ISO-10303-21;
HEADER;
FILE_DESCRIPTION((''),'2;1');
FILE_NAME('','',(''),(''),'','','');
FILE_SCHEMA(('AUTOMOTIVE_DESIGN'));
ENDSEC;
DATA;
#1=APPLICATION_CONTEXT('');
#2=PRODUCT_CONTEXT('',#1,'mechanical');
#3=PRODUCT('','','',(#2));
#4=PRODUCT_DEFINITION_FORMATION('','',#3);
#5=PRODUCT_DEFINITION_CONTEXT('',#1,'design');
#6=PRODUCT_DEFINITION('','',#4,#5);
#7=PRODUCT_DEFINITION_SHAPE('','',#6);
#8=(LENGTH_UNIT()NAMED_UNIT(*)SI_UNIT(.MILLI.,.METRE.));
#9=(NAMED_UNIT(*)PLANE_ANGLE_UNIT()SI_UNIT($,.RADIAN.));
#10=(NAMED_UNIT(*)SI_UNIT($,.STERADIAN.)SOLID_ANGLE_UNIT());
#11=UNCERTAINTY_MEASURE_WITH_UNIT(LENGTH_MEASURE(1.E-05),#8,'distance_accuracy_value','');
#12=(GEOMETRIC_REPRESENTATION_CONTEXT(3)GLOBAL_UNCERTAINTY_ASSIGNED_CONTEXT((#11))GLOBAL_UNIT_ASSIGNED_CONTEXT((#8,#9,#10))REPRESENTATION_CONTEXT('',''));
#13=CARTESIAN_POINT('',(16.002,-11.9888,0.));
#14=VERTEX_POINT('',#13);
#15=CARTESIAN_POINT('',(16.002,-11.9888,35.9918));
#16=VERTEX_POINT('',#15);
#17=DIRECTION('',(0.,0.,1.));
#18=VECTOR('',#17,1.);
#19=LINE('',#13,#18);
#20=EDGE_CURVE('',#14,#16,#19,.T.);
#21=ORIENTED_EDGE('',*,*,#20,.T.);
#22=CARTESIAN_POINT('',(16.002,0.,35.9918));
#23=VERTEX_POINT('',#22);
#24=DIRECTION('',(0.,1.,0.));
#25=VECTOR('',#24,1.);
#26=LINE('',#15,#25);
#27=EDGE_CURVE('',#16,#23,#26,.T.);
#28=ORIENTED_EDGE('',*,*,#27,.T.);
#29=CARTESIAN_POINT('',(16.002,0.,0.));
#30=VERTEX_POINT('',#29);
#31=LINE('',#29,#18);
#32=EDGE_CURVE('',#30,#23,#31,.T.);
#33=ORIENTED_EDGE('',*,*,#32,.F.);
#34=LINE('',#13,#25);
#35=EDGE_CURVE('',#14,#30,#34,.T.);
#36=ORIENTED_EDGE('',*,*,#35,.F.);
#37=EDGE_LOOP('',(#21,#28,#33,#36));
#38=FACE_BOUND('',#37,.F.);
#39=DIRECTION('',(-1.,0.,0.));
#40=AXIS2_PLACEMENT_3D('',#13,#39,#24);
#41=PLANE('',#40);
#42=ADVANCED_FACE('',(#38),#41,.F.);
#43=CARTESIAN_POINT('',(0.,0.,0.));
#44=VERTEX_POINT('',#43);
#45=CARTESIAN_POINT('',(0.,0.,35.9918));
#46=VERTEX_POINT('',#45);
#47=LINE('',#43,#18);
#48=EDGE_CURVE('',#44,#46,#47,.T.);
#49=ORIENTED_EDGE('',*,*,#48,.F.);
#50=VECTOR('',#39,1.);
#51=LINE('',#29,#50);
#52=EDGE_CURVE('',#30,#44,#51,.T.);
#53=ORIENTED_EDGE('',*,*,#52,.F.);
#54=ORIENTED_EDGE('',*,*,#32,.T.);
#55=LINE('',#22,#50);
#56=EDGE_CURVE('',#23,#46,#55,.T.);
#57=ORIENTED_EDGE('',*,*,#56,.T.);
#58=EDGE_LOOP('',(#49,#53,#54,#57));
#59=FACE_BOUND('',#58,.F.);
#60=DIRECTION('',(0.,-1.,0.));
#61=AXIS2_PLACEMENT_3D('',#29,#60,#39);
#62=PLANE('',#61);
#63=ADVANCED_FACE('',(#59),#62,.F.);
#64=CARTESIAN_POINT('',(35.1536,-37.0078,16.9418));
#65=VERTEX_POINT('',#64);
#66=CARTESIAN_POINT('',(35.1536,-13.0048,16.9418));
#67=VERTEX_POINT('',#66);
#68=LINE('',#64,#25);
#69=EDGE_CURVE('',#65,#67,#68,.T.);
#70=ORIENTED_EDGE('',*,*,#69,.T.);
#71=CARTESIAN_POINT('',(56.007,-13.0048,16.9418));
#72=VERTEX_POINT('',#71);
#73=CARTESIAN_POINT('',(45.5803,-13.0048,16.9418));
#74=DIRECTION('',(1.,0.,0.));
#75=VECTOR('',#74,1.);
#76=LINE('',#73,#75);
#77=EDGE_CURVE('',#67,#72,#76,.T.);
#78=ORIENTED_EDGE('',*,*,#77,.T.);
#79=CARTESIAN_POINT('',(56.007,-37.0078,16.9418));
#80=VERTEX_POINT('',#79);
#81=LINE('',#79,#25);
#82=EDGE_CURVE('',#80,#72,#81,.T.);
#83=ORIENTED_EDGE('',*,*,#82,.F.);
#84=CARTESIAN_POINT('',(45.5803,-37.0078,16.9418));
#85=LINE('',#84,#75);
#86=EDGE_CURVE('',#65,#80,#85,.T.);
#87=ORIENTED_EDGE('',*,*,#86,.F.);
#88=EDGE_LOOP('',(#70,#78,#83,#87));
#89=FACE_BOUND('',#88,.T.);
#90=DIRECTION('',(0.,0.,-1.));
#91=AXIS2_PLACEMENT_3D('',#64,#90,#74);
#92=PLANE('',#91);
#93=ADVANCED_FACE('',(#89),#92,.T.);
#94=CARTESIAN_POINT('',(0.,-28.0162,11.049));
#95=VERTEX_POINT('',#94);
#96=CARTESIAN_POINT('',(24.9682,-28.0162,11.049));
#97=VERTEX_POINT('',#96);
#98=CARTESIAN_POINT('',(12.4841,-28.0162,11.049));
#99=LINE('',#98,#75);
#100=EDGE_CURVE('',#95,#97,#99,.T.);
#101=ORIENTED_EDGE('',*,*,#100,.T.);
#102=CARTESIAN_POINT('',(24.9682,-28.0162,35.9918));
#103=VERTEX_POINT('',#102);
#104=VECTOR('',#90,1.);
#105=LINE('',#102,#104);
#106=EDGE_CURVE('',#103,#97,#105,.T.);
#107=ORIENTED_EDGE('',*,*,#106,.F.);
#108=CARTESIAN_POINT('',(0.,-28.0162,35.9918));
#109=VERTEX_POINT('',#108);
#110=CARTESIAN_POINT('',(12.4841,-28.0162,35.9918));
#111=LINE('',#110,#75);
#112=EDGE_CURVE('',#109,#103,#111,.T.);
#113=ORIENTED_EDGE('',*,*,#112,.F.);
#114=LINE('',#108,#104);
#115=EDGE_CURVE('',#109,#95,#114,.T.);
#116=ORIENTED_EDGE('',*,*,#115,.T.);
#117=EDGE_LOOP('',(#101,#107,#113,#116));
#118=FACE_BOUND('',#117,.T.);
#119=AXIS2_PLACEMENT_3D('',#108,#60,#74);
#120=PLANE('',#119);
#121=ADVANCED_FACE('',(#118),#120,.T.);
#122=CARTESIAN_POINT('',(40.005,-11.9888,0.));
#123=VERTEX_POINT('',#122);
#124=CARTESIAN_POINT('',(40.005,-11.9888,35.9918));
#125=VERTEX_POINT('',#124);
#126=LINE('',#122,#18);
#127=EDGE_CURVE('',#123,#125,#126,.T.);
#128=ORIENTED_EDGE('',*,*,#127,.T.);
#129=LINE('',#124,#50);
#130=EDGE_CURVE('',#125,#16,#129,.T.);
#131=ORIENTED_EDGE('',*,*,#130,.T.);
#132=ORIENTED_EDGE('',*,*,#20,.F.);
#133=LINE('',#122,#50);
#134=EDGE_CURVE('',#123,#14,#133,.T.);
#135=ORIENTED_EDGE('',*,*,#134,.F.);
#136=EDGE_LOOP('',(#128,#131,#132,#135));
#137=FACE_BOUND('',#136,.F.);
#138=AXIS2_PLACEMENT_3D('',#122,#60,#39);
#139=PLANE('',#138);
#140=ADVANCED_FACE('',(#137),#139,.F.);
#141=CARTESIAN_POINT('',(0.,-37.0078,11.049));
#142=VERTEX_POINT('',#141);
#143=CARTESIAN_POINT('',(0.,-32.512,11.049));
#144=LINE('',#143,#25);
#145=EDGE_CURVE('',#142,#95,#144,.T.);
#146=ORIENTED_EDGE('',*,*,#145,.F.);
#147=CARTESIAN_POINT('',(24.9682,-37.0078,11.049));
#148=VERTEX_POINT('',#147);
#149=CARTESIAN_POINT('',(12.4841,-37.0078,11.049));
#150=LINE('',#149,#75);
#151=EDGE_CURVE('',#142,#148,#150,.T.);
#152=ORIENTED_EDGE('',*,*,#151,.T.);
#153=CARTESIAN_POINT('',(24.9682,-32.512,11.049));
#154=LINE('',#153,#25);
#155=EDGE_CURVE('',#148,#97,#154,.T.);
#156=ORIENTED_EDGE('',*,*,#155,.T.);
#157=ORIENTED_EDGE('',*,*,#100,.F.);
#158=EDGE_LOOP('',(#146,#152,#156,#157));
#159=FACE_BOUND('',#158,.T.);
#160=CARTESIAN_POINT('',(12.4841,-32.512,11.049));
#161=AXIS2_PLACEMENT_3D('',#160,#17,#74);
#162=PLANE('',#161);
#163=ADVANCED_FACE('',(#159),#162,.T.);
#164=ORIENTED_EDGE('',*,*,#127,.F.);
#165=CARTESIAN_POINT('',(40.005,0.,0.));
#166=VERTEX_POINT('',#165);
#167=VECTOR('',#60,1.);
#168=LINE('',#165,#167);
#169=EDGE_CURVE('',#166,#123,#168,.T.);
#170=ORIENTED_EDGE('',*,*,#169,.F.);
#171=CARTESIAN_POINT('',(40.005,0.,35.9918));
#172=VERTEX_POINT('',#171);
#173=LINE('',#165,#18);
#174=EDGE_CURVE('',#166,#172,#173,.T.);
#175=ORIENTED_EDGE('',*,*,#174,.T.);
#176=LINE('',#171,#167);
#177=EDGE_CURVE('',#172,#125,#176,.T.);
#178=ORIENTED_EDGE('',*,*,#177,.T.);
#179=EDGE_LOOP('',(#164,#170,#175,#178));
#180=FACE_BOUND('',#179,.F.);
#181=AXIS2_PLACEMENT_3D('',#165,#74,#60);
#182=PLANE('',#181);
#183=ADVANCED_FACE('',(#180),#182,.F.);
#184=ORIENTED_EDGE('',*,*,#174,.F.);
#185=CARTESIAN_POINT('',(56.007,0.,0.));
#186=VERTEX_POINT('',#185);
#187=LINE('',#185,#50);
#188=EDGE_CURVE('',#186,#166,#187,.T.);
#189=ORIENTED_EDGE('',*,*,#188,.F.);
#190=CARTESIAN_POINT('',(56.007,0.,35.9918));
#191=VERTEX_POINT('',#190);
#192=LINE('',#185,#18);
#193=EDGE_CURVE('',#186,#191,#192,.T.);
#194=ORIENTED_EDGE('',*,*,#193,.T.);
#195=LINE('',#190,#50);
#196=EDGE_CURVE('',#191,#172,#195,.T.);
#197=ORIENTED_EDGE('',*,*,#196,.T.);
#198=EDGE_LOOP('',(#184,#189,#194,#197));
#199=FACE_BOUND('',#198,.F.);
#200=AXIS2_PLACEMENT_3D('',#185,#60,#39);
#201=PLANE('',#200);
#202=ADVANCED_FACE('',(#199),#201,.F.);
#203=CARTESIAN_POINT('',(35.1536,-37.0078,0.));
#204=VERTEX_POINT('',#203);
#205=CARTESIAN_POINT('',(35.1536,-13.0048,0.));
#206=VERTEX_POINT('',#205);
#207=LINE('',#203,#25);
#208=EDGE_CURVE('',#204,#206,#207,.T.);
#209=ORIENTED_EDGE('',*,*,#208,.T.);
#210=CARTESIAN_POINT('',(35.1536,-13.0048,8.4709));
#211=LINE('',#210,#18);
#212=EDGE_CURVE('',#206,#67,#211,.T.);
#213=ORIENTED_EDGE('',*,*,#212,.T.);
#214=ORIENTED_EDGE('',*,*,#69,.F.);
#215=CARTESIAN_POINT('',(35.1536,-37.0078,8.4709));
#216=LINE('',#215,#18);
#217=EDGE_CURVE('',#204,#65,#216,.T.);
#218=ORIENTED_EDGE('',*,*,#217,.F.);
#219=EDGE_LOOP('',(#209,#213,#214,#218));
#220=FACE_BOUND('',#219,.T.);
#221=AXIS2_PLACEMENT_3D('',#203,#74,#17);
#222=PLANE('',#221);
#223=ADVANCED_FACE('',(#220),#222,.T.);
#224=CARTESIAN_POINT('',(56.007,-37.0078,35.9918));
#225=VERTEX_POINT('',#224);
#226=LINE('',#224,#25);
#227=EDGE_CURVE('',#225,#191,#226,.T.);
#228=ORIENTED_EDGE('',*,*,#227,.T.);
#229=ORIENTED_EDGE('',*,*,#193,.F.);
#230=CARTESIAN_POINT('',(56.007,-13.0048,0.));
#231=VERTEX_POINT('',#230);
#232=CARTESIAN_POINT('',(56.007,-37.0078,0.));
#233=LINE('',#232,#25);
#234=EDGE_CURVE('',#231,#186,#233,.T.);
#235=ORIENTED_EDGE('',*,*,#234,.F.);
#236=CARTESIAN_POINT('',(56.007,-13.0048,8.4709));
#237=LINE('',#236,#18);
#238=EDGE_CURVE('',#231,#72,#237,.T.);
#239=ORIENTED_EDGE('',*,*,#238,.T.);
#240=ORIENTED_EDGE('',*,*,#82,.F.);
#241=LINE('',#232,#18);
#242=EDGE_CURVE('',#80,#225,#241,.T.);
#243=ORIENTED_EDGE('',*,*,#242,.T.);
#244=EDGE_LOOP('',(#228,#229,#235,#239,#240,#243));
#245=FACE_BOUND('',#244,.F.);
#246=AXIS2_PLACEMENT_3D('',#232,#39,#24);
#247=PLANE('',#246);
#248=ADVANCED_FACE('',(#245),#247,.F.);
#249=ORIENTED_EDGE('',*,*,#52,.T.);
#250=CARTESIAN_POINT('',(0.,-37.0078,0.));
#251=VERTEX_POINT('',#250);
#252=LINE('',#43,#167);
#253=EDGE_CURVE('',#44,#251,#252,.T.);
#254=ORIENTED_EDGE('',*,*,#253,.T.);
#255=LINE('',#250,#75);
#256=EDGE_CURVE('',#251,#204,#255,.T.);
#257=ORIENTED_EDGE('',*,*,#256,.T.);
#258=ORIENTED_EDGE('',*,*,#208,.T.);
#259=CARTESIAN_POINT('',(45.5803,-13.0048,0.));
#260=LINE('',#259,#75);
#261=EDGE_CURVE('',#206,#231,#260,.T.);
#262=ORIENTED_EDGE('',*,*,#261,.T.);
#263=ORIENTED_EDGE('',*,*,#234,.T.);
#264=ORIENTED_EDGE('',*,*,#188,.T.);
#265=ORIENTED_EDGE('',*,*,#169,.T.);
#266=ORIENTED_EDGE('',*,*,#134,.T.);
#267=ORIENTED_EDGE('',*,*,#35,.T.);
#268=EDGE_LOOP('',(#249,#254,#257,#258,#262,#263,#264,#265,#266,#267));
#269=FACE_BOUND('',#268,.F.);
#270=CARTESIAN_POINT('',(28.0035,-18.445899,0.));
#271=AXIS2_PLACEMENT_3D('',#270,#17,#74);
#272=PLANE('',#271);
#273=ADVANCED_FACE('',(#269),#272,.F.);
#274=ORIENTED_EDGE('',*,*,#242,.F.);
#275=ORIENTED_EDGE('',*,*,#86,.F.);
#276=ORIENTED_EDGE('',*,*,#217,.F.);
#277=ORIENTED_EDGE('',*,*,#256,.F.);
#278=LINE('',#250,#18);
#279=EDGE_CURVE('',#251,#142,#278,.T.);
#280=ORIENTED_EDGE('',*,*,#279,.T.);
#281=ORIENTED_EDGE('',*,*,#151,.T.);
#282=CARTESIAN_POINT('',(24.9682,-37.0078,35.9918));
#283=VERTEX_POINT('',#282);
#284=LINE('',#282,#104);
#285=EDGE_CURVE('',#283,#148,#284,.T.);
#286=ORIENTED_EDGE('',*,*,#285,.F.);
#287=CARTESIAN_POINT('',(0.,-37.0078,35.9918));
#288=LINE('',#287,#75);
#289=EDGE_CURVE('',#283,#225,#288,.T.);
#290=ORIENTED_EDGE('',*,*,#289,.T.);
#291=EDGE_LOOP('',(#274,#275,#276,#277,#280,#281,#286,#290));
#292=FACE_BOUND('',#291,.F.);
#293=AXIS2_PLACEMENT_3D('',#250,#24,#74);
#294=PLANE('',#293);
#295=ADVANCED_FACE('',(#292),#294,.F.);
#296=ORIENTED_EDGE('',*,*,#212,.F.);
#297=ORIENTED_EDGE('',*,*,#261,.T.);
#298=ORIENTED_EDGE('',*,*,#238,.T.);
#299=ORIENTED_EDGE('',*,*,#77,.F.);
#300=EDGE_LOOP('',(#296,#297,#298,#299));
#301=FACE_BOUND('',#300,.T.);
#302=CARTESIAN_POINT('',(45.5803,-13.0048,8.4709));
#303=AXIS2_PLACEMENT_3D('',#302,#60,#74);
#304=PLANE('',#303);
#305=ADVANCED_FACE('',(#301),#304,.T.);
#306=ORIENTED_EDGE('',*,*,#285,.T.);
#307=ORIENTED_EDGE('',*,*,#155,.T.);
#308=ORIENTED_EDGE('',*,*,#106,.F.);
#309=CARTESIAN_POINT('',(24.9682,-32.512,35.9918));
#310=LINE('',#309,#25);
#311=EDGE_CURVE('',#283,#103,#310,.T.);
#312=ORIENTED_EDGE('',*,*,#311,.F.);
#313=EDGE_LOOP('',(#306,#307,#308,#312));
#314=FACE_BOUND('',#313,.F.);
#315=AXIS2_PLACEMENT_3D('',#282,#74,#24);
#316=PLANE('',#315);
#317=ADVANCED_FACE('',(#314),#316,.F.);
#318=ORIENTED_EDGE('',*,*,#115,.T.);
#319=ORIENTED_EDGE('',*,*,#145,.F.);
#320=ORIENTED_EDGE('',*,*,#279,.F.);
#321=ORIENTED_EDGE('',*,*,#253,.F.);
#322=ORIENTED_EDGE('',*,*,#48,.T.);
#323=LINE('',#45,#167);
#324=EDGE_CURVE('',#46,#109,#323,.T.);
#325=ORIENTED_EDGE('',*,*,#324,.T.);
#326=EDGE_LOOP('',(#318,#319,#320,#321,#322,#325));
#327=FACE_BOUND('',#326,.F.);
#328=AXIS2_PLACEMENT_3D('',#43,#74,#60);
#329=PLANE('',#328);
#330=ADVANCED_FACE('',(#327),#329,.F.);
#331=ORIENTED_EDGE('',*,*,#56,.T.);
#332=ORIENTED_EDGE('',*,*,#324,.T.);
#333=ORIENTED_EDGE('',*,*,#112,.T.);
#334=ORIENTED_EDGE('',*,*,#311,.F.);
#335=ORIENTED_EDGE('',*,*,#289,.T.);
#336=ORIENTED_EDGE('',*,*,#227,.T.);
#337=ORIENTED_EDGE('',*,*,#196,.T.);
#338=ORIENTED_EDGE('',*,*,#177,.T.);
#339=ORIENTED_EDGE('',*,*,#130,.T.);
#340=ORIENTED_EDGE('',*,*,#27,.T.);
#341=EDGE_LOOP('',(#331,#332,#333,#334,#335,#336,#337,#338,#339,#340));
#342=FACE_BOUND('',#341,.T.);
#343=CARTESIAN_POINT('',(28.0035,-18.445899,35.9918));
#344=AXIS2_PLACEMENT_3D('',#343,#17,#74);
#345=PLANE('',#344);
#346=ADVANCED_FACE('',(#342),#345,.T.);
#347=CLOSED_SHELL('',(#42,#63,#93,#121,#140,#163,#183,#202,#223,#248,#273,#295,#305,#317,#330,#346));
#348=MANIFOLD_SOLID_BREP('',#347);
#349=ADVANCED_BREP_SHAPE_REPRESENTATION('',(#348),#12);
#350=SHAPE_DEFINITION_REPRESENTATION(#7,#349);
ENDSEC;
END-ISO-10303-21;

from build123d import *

# Parameters (mm, degrees)
F1_DEPTH = 35.9918
F2_W     = 24.9682
F2_H     = 8.9916
F3_DEPTH = 24.9428
F4_W     = 20.8534
F4_H     = 16.9418
F5_DEPTH = 24.003


with BuildPart() as f1:
    # F0 (on Top) → F1 (new body)
    with BuildSketch(Plane.XY):
        Polygon((16.002, 0), (0, 0), (0, -37.0078), (56.007, -37.0078), (56.007, 0), (40.005, 0), (40.005, -11.9888), (16.002, -11.9888), align=None)
    extrude(amount=F1_DEPTH)

    # F2 (on face) → F3 (cut)
    with BuildSketch(Plane.XY.offset(35.9918)):
        with Locations((12.4841, -32.512)):
            Rectangle(F2_W, F2_H)
    extrude(amount=-F3_DEPTH, mode=Mode.SUBTRACT)

    # F4 (on face) → F5 (cut)
    with BuildSketch(Plane.XZ.offset(37.0078)):
        with Locations((45.5803, 8.4709)):
            Rectangle(F4_W, F4_H)
    extrude(amount=-F5_DEPTH, mode=Mode.SUBTRACT)


solid = f1.part
